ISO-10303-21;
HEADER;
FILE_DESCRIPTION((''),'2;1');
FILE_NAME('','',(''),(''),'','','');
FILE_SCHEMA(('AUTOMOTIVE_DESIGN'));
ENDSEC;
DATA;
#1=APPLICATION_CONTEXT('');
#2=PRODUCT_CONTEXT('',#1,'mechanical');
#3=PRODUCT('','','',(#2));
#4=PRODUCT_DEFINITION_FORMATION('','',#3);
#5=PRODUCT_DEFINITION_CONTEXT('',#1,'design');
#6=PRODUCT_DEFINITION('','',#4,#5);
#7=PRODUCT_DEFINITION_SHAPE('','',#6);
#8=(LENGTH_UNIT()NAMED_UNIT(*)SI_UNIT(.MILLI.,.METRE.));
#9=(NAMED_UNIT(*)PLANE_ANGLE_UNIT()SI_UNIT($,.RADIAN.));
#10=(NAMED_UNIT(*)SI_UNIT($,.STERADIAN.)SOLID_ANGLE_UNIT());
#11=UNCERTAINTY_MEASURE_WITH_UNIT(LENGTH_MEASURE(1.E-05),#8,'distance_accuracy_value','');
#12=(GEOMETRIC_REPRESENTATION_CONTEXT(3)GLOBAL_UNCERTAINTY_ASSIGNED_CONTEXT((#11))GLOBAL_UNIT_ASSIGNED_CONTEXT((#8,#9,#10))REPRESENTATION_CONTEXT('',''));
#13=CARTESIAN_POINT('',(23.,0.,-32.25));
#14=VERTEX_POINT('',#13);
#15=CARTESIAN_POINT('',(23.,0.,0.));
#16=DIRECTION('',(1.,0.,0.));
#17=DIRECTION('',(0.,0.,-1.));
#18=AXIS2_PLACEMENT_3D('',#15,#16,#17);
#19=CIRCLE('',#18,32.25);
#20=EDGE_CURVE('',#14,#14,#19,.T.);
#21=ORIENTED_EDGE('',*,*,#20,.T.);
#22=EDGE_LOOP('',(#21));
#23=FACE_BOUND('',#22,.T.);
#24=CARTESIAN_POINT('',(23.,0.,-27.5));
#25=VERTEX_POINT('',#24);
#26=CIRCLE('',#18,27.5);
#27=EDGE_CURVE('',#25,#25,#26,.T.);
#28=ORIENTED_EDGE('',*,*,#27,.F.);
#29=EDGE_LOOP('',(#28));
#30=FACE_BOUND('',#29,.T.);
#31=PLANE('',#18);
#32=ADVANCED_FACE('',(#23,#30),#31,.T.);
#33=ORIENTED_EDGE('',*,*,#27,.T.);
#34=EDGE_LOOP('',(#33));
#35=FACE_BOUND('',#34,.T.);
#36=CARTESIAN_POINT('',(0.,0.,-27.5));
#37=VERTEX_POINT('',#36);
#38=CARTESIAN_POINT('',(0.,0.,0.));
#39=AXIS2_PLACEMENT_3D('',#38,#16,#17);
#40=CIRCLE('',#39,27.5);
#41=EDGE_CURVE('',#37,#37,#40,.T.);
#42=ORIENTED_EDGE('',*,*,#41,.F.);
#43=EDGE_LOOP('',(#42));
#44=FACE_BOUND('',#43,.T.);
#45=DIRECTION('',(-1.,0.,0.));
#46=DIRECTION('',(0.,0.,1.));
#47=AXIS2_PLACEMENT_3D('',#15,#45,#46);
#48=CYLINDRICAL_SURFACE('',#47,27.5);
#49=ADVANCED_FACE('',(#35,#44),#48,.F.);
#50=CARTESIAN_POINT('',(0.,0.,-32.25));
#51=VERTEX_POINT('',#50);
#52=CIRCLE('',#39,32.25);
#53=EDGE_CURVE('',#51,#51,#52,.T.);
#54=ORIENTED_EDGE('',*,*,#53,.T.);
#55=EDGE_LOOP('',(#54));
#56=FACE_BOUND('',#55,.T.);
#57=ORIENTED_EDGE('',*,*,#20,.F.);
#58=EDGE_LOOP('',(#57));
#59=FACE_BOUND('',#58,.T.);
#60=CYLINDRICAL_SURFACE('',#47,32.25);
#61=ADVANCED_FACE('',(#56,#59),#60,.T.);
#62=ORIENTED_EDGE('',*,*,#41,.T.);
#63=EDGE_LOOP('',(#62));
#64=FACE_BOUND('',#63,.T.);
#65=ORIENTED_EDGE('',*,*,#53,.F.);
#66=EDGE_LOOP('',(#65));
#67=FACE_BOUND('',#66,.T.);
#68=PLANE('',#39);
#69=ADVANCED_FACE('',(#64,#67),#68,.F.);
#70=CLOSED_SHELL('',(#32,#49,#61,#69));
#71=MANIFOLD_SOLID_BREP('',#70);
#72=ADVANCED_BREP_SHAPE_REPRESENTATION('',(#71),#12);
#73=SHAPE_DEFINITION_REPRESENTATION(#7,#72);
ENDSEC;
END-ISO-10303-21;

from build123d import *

# Parameters (mm, degrees)
SKETCH1_R           = 32.25
SKETCH1_R_2         = 27.5
BOSS_EXTRUDE1_DEPTH = 23


with BuildPart() as part:
    # Sketch1 → Boss-Extrude1 (new body)
    with BuildSketch(Plane(origin=(0, 0, 0), x_dir=(0, 0, -1), z_dir=(1, 0, 0))):
        Circle(SKETCH1_R)
        Circle(SKETCH1_R_2, mode=Mode.SUBTRACT)
    extrude(amount=BOSS_EXTRUDE1_DEPTH)


solid = part.part
